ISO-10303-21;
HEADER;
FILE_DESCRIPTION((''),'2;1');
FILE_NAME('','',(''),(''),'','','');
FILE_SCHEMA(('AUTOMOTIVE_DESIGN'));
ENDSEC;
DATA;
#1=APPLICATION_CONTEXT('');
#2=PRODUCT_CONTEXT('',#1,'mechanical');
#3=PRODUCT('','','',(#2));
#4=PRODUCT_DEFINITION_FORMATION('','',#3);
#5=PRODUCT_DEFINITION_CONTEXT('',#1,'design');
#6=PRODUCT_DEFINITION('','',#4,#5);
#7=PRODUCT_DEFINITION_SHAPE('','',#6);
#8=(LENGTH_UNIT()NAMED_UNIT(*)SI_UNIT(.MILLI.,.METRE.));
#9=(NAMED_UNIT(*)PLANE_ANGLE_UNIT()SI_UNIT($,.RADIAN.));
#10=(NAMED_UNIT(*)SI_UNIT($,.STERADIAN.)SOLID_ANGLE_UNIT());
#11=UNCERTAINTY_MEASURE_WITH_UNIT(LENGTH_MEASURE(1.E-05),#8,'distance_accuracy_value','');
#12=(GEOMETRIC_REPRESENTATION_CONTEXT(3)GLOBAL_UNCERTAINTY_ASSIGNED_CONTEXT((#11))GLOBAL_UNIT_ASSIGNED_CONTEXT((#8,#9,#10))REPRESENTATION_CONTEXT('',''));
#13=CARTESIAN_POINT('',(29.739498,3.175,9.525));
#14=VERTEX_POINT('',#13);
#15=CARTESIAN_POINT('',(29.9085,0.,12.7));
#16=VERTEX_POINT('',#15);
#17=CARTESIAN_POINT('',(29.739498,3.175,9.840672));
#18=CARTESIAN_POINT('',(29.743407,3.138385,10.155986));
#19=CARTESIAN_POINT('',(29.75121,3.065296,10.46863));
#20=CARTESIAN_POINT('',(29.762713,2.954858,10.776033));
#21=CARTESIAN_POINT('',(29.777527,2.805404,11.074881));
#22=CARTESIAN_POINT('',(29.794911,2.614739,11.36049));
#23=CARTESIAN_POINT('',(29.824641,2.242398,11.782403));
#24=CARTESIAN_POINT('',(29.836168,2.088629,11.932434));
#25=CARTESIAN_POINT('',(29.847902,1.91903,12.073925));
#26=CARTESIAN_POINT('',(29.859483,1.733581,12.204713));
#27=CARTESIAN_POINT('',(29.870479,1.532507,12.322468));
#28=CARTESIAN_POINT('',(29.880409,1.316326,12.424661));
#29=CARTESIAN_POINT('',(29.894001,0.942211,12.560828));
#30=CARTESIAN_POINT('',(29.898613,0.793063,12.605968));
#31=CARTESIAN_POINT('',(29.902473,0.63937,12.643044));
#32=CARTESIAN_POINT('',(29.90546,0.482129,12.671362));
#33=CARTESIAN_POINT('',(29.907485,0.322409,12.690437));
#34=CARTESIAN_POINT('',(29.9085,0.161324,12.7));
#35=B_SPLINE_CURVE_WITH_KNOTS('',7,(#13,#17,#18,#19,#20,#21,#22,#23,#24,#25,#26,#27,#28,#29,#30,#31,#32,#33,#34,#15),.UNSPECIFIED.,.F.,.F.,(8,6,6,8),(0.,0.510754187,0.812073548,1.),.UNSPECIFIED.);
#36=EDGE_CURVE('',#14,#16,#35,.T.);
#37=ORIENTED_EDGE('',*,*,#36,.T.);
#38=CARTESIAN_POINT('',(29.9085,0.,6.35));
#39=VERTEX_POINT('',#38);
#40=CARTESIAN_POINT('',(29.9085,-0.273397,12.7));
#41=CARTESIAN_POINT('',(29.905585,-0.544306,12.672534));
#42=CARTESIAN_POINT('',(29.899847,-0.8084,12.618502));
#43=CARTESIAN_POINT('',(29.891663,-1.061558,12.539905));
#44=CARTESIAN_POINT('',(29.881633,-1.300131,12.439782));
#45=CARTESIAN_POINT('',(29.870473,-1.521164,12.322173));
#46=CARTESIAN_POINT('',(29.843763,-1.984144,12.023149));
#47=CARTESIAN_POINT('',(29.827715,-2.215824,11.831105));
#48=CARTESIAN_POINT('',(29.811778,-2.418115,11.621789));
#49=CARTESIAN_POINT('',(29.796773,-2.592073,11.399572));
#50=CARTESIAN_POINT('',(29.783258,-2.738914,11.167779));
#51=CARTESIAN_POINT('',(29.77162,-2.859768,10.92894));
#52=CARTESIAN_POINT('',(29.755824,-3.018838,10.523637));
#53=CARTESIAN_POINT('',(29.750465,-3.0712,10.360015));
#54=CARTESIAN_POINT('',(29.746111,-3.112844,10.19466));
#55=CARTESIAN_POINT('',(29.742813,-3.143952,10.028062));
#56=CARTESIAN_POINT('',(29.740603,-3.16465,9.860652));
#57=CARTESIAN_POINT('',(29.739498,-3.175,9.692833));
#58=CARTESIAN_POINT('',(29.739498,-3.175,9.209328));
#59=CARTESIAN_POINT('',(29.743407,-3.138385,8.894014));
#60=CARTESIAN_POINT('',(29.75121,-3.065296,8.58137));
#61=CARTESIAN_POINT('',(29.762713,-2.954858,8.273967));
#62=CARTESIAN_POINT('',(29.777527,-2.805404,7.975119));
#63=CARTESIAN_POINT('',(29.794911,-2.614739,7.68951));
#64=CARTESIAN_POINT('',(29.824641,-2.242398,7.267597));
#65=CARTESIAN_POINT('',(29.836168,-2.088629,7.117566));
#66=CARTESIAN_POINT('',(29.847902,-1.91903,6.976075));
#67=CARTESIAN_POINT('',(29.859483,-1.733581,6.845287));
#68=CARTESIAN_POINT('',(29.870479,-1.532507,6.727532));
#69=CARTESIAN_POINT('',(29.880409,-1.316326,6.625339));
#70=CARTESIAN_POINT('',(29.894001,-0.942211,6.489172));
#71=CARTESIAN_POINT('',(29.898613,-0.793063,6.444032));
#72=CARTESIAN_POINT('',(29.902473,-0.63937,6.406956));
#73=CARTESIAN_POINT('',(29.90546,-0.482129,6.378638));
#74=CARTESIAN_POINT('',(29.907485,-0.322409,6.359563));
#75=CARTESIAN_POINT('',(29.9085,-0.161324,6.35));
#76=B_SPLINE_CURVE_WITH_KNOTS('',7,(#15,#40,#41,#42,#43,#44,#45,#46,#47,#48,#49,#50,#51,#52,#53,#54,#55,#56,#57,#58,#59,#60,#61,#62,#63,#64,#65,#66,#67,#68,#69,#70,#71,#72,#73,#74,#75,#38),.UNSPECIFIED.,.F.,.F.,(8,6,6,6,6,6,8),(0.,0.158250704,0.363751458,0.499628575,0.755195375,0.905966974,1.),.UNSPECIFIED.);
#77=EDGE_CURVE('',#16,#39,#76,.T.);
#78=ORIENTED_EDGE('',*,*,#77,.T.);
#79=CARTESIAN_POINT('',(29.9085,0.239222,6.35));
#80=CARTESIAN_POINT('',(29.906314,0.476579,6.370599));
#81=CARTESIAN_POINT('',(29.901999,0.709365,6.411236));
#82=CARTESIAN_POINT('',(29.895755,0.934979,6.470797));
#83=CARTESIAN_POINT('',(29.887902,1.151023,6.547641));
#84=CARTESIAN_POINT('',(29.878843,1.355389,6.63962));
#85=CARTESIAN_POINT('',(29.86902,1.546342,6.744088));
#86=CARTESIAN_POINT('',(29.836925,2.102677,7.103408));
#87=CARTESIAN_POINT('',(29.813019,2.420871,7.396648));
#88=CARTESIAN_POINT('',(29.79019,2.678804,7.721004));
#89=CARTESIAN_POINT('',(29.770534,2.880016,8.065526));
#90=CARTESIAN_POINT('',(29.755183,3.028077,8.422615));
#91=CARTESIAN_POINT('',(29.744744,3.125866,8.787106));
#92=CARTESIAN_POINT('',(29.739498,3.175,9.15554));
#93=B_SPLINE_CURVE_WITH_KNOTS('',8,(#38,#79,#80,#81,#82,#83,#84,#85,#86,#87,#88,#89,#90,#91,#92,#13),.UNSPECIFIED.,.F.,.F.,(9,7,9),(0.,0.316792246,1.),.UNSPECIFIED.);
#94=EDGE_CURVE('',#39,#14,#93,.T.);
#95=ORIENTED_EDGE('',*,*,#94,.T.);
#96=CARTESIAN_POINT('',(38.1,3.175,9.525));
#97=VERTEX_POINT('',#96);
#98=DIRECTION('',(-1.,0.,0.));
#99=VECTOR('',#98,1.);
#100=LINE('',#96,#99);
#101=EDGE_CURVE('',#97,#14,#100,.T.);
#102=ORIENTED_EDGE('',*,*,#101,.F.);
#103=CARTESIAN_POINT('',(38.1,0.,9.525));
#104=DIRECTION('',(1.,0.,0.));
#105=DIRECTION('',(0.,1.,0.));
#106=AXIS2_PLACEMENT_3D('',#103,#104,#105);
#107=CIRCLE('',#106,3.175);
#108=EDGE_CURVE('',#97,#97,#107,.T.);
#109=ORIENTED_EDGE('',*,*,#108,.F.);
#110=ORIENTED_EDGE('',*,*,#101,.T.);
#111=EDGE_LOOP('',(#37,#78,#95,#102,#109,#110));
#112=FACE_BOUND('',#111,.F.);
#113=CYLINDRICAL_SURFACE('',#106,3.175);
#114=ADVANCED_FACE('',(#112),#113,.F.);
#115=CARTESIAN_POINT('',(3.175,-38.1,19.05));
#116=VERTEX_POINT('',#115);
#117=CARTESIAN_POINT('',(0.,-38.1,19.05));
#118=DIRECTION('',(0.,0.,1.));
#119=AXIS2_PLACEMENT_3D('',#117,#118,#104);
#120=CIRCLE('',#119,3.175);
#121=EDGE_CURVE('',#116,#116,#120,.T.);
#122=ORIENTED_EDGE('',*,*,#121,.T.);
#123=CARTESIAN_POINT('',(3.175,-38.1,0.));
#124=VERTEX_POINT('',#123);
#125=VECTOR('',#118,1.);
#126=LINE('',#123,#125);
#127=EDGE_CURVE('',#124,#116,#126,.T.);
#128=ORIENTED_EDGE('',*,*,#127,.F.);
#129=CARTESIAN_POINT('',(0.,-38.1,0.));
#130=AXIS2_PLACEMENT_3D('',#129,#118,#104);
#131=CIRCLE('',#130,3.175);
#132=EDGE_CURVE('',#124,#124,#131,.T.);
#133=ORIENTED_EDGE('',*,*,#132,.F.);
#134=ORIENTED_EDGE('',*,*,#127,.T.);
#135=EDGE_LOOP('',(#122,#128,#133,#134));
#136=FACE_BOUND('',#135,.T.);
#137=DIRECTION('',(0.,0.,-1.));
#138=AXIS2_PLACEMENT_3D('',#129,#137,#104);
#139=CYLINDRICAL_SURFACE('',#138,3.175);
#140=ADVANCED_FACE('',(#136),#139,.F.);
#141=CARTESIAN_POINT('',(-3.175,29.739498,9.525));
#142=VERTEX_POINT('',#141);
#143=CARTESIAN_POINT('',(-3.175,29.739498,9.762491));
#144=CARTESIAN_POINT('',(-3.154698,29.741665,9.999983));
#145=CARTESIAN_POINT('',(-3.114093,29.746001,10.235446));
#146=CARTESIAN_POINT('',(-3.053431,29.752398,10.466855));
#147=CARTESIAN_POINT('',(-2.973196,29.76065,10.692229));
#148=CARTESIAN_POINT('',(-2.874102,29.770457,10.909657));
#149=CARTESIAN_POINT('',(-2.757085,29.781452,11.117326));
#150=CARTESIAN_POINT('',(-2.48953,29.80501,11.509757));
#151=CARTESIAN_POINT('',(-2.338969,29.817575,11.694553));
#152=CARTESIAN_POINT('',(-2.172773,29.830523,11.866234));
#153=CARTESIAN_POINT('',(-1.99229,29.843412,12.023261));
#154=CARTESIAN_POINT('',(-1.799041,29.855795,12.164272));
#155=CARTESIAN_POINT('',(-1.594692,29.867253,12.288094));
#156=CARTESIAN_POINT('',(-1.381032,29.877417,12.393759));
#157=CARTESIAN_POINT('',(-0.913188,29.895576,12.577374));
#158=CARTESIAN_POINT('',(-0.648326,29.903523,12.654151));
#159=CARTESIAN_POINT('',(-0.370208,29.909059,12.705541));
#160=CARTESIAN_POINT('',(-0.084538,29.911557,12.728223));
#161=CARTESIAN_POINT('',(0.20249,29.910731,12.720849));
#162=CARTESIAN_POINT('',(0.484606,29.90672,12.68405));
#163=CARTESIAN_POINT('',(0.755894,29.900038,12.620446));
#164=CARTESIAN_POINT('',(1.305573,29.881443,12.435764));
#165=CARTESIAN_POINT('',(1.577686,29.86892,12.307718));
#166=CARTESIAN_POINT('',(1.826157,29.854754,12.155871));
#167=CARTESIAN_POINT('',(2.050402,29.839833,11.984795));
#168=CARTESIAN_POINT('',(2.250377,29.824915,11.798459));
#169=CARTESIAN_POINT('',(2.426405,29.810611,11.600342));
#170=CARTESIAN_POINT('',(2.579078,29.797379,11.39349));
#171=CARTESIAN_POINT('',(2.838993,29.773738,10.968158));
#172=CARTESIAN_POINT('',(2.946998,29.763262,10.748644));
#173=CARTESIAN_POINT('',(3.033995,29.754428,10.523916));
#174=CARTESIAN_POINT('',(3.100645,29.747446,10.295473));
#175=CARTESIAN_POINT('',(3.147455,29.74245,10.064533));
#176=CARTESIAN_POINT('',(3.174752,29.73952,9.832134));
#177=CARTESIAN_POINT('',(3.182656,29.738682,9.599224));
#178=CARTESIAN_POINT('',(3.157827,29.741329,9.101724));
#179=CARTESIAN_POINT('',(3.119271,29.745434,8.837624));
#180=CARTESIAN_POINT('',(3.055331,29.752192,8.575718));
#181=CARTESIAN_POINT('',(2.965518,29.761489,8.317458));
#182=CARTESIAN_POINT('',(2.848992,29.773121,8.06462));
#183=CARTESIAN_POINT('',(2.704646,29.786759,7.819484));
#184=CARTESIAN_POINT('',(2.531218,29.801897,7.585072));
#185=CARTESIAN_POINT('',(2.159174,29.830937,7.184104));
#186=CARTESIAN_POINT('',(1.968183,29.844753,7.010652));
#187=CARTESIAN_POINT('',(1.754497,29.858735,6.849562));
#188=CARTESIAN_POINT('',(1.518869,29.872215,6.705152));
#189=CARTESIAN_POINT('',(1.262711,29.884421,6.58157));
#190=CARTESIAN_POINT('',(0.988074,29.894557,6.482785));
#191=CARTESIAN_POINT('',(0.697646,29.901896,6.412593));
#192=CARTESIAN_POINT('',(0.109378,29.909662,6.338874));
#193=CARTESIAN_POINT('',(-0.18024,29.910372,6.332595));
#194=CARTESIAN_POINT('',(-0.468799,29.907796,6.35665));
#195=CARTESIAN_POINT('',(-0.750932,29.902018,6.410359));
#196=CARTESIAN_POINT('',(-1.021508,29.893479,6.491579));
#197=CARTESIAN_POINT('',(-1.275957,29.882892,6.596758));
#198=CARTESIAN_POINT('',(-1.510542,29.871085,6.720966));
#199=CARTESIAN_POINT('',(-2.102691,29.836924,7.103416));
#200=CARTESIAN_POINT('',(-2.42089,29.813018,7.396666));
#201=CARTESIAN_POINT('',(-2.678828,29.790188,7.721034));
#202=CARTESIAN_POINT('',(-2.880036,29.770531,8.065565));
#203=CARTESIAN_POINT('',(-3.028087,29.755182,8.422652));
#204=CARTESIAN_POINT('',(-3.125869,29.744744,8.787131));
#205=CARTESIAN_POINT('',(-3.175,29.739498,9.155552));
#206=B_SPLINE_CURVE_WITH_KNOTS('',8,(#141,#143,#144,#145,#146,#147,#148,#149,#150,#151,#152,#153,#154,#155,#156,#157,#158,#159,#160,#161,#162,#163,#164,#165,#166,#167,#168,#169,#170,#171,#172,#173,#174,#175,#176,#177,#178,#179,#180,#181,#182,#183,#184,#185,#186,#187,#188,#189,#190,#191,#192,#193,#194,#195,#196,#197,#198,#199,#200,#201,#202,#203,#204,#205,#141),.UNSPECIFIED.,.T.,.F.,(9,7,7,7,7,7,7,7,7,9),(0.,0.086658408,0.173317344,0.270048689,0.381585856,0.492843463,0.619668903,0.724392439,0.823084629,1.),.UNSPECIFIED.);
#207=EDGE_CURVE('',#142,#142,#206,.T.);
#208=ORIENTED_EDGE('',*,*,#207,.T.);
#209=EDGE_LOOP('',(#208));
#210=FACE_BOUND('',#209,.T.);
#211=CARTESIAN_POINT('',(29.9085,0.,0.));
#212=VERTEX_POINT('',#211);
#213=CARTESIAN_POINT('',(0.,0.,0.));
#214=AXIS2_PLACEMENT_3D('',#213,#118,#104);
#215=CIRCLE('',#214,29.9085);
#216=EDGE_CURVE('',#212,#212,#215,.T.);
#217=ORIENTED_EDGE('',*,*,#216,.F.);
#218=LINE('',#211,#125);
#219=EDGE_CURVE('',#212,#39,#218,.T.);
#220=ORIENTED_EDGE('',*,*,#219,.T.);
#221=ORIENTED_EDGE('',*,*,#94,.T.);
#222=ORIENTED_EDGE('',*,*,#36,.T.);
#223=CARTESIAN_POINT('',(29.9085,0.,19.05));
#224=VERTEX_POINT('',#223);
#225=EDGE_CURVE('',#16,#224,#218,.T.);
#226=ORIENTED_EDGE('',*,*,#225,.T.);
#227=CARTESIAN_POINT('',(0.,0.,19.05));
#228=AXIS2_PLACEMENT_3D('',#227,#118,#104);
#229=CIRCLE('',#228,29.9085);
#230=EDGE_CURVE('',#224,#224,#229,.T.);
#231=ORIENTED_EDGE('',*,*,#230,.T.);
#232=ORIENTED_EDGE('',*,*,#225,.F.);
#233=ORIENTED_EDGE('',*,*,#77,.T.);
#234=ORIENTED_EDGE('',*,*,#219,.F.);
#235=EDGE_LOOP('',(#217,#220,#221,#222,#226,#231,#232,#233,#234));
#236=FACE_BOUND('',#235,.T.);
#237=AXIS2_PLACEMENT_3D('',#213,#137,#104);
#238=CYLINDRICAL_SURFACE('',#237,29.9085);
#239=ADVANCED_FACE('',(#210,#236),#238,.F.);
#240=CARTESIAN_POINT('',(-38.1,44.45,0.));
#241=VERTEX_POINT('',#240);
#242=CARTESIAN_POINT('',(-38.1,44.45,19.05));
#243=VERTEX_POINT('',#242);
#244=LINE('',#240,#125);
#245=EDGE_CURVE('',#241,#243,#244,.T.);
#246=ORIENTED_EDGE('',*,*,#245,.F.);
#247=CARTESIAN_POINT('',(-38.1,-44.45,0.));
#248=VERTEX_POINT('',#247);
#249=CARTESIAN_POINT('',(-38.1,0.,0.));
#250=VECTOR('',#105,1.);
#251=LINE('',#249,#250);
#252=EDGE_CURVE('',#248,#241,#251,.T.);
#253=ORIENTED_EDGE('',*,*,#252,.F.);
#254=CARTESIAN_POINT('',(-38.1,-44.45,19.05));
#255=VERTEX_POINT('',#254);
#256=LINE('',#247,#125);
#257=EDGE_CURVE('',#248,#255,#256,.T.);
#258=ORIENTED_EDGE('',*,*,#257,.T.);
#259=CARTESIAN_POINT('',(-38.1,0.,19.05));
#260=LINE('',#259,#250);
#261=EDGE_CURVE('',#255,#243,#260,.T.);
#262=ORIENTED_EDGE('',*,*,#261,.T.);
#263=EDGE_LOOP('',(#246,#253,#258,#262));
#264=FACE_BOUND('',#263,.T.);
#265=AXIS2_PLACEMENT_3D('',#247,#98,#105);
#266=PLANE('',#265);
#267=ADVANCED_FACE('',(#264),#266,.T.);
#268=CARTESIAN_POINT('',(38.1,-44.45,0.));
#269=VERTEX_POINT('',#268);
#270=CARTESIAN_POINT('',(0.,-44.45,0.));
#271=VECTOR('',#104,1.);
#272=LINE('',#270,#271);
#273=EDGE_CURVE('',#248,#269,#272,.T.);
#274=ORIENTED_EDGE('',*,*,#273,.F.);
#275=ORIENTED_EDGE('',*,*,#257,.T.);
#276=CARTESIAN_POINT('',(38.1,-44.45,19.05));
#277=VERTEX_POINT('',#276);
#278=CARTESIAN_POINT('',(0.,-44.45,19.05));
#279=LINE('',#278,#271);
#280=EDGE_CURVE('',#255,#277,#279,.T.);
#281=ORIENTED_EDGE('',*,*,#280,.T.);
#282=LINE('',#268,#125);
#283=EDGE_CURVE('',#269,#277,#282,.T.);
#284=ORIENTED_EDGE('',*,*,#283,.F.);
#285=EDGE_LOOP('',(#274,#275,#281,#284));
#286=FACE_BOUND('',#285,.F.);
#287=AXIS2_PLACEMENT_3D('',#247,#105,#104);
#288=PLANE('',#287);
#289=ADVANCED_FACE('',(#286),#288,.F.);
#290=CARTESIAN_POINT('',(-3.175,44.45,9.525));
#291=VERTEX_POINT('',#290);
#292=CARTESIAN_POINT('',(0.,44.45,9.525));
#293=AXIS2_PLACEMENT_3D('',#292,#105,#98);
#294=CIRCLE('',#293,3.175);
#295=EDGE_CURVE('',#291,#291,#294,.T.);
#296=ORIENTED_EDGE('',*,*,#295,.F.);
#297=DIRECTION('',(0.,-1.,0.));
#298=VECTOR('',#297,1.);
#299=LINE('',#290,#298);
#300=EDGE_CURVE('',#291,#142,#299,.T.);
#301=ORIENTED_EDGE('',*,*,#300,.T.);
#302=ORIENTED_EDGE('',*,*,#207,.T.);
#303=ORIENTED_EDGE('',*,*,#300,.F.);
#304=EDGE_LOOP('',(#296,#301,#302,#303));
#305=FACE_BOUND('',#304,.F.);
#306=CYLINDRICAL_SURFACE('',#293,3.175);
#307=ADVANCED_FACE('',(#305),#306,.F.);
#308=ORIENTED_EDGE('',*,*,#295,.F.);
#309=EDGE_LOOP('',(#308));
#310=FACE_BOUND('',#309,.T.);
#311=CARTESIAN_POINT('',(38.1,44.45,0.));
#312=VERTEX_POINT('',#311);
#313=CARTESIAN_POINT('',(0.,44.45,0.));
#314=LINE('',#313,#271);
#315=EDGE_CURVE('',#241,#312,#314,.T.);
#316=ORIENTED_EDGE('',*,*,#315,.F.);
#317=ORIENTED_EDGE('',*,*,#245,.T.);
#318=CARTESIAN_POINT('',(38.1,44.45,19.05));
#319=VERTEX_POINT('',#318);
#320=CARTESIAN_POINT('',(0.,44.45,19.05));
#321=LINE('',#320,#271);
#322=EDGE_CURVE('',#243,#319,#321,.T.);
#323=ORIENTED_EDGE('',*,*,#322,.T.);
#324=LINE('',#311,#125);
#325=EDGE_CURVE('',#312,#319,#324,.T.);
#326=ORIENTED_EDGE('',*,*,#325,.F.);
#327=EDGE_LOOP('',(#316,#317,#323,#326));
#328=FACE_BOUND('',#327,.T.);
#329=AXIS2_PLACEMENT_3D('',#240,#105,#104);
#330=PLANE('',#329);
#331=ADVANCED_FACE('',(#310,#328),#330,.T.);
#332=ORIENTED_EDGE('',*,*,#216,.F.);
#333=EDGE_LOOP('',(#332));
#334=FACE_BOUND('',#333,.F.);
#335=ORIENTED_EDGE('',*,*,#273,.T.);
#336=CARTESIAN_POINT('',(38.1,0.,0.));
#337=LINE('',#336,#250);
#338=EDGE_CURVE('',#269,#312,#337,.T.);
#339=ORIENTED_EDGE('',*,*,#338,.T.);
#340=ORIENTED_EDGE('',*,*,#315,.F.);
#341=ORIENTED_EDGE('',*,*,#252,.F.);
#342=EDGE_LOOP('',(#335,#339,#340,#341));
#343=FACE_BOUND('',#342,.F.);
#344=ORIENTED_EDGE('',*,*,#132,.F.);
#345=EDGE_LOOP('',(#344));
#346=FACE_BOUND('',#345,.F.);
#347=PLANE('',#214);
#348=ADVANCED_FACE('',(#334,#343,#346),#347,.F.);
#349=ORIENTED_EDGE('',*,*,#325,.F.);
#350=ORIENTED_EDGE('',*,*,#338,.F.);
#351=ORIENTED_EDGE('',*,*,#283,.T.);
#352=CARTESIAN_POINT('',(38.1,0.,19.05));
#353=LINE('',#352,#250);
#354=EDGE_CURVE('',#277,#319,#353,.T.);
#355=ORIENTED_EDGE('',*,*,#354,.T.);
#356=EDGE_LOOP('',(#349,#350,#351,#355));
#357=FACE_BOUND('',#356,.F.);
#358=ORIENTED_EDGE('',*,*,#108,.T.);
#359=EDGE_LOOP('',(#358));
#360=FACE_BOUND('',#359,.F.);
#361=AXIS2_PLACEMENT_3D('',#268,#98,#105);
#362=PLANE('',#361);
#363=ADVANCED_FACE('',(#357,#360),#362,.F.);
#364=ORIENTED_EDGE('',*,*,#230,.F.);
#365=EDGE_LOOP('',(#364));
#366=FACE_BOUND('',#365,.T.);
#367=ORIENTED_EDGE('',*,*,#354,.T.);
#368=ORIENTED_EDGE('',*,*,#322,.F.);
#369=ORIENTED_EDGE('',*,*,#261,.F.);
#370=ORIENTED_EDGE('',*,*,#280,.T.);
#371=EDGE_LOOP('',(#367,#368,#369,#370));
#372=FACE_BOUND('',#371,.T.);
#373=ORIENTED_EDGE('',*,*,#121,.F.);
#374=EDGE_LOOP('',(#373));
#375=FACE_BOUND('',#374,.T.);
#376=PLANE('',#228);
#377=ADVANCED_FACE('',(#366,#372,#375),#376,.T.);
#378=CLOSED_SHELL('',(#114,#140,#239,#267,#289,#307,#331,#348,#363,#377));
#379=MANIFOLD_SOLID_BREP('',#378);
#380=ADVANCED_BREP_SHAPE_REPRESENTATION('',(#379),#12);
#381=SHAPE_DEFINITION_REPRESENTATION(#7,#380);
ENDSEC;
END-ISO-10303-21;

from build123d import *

# Parameters (mm, degrees)
F0_W     = 76.2
F0_H     = 88.9
F0_R     = 3.175
F0_R_2   = 29.9085
F1_DEPTH = 19.05
F2_R     = 3.175
F3_DEPTH = 25.4
F4_R     = 3.175
F5_DEPTH = 25.4


with BuildPart() as f1:
    # F0 (on Top) → F1 (new body)
    with BuildSketch(Plane.XY):
        Rectangle(F0_W, F0_H)
        with Locations((0, -38.1)):
            Circle(F0_R, mode=Mode.SUBTRACT)
        Circle(F0_R_2, mode=Mode.SUBTRACT)
    extrude(amount=F1_DEPTH)

    # F2 (on face) → F3 (cut)
    with BuildSketch(Plane.YZ.offset(38.1)):
        with Locations((0, 9.525)):
            Circle(F2_R)
    extrude(amount=-F3_DEPTH, mode=Mode.SUBTRACT)

    # F4 (on face) → F5 (cut)
    with BuildSketch(Plane(origin=(0, 44.45, 0), x_dir=(-1, 0, 0), z_dir=(0, 1, 0))):
        with Locations((0, 9.525)):
            Circle(F4_R)
    extrude(amount=-F5_DEPTH, mode=Mode.SUBTRACT)


solid = f1.part
